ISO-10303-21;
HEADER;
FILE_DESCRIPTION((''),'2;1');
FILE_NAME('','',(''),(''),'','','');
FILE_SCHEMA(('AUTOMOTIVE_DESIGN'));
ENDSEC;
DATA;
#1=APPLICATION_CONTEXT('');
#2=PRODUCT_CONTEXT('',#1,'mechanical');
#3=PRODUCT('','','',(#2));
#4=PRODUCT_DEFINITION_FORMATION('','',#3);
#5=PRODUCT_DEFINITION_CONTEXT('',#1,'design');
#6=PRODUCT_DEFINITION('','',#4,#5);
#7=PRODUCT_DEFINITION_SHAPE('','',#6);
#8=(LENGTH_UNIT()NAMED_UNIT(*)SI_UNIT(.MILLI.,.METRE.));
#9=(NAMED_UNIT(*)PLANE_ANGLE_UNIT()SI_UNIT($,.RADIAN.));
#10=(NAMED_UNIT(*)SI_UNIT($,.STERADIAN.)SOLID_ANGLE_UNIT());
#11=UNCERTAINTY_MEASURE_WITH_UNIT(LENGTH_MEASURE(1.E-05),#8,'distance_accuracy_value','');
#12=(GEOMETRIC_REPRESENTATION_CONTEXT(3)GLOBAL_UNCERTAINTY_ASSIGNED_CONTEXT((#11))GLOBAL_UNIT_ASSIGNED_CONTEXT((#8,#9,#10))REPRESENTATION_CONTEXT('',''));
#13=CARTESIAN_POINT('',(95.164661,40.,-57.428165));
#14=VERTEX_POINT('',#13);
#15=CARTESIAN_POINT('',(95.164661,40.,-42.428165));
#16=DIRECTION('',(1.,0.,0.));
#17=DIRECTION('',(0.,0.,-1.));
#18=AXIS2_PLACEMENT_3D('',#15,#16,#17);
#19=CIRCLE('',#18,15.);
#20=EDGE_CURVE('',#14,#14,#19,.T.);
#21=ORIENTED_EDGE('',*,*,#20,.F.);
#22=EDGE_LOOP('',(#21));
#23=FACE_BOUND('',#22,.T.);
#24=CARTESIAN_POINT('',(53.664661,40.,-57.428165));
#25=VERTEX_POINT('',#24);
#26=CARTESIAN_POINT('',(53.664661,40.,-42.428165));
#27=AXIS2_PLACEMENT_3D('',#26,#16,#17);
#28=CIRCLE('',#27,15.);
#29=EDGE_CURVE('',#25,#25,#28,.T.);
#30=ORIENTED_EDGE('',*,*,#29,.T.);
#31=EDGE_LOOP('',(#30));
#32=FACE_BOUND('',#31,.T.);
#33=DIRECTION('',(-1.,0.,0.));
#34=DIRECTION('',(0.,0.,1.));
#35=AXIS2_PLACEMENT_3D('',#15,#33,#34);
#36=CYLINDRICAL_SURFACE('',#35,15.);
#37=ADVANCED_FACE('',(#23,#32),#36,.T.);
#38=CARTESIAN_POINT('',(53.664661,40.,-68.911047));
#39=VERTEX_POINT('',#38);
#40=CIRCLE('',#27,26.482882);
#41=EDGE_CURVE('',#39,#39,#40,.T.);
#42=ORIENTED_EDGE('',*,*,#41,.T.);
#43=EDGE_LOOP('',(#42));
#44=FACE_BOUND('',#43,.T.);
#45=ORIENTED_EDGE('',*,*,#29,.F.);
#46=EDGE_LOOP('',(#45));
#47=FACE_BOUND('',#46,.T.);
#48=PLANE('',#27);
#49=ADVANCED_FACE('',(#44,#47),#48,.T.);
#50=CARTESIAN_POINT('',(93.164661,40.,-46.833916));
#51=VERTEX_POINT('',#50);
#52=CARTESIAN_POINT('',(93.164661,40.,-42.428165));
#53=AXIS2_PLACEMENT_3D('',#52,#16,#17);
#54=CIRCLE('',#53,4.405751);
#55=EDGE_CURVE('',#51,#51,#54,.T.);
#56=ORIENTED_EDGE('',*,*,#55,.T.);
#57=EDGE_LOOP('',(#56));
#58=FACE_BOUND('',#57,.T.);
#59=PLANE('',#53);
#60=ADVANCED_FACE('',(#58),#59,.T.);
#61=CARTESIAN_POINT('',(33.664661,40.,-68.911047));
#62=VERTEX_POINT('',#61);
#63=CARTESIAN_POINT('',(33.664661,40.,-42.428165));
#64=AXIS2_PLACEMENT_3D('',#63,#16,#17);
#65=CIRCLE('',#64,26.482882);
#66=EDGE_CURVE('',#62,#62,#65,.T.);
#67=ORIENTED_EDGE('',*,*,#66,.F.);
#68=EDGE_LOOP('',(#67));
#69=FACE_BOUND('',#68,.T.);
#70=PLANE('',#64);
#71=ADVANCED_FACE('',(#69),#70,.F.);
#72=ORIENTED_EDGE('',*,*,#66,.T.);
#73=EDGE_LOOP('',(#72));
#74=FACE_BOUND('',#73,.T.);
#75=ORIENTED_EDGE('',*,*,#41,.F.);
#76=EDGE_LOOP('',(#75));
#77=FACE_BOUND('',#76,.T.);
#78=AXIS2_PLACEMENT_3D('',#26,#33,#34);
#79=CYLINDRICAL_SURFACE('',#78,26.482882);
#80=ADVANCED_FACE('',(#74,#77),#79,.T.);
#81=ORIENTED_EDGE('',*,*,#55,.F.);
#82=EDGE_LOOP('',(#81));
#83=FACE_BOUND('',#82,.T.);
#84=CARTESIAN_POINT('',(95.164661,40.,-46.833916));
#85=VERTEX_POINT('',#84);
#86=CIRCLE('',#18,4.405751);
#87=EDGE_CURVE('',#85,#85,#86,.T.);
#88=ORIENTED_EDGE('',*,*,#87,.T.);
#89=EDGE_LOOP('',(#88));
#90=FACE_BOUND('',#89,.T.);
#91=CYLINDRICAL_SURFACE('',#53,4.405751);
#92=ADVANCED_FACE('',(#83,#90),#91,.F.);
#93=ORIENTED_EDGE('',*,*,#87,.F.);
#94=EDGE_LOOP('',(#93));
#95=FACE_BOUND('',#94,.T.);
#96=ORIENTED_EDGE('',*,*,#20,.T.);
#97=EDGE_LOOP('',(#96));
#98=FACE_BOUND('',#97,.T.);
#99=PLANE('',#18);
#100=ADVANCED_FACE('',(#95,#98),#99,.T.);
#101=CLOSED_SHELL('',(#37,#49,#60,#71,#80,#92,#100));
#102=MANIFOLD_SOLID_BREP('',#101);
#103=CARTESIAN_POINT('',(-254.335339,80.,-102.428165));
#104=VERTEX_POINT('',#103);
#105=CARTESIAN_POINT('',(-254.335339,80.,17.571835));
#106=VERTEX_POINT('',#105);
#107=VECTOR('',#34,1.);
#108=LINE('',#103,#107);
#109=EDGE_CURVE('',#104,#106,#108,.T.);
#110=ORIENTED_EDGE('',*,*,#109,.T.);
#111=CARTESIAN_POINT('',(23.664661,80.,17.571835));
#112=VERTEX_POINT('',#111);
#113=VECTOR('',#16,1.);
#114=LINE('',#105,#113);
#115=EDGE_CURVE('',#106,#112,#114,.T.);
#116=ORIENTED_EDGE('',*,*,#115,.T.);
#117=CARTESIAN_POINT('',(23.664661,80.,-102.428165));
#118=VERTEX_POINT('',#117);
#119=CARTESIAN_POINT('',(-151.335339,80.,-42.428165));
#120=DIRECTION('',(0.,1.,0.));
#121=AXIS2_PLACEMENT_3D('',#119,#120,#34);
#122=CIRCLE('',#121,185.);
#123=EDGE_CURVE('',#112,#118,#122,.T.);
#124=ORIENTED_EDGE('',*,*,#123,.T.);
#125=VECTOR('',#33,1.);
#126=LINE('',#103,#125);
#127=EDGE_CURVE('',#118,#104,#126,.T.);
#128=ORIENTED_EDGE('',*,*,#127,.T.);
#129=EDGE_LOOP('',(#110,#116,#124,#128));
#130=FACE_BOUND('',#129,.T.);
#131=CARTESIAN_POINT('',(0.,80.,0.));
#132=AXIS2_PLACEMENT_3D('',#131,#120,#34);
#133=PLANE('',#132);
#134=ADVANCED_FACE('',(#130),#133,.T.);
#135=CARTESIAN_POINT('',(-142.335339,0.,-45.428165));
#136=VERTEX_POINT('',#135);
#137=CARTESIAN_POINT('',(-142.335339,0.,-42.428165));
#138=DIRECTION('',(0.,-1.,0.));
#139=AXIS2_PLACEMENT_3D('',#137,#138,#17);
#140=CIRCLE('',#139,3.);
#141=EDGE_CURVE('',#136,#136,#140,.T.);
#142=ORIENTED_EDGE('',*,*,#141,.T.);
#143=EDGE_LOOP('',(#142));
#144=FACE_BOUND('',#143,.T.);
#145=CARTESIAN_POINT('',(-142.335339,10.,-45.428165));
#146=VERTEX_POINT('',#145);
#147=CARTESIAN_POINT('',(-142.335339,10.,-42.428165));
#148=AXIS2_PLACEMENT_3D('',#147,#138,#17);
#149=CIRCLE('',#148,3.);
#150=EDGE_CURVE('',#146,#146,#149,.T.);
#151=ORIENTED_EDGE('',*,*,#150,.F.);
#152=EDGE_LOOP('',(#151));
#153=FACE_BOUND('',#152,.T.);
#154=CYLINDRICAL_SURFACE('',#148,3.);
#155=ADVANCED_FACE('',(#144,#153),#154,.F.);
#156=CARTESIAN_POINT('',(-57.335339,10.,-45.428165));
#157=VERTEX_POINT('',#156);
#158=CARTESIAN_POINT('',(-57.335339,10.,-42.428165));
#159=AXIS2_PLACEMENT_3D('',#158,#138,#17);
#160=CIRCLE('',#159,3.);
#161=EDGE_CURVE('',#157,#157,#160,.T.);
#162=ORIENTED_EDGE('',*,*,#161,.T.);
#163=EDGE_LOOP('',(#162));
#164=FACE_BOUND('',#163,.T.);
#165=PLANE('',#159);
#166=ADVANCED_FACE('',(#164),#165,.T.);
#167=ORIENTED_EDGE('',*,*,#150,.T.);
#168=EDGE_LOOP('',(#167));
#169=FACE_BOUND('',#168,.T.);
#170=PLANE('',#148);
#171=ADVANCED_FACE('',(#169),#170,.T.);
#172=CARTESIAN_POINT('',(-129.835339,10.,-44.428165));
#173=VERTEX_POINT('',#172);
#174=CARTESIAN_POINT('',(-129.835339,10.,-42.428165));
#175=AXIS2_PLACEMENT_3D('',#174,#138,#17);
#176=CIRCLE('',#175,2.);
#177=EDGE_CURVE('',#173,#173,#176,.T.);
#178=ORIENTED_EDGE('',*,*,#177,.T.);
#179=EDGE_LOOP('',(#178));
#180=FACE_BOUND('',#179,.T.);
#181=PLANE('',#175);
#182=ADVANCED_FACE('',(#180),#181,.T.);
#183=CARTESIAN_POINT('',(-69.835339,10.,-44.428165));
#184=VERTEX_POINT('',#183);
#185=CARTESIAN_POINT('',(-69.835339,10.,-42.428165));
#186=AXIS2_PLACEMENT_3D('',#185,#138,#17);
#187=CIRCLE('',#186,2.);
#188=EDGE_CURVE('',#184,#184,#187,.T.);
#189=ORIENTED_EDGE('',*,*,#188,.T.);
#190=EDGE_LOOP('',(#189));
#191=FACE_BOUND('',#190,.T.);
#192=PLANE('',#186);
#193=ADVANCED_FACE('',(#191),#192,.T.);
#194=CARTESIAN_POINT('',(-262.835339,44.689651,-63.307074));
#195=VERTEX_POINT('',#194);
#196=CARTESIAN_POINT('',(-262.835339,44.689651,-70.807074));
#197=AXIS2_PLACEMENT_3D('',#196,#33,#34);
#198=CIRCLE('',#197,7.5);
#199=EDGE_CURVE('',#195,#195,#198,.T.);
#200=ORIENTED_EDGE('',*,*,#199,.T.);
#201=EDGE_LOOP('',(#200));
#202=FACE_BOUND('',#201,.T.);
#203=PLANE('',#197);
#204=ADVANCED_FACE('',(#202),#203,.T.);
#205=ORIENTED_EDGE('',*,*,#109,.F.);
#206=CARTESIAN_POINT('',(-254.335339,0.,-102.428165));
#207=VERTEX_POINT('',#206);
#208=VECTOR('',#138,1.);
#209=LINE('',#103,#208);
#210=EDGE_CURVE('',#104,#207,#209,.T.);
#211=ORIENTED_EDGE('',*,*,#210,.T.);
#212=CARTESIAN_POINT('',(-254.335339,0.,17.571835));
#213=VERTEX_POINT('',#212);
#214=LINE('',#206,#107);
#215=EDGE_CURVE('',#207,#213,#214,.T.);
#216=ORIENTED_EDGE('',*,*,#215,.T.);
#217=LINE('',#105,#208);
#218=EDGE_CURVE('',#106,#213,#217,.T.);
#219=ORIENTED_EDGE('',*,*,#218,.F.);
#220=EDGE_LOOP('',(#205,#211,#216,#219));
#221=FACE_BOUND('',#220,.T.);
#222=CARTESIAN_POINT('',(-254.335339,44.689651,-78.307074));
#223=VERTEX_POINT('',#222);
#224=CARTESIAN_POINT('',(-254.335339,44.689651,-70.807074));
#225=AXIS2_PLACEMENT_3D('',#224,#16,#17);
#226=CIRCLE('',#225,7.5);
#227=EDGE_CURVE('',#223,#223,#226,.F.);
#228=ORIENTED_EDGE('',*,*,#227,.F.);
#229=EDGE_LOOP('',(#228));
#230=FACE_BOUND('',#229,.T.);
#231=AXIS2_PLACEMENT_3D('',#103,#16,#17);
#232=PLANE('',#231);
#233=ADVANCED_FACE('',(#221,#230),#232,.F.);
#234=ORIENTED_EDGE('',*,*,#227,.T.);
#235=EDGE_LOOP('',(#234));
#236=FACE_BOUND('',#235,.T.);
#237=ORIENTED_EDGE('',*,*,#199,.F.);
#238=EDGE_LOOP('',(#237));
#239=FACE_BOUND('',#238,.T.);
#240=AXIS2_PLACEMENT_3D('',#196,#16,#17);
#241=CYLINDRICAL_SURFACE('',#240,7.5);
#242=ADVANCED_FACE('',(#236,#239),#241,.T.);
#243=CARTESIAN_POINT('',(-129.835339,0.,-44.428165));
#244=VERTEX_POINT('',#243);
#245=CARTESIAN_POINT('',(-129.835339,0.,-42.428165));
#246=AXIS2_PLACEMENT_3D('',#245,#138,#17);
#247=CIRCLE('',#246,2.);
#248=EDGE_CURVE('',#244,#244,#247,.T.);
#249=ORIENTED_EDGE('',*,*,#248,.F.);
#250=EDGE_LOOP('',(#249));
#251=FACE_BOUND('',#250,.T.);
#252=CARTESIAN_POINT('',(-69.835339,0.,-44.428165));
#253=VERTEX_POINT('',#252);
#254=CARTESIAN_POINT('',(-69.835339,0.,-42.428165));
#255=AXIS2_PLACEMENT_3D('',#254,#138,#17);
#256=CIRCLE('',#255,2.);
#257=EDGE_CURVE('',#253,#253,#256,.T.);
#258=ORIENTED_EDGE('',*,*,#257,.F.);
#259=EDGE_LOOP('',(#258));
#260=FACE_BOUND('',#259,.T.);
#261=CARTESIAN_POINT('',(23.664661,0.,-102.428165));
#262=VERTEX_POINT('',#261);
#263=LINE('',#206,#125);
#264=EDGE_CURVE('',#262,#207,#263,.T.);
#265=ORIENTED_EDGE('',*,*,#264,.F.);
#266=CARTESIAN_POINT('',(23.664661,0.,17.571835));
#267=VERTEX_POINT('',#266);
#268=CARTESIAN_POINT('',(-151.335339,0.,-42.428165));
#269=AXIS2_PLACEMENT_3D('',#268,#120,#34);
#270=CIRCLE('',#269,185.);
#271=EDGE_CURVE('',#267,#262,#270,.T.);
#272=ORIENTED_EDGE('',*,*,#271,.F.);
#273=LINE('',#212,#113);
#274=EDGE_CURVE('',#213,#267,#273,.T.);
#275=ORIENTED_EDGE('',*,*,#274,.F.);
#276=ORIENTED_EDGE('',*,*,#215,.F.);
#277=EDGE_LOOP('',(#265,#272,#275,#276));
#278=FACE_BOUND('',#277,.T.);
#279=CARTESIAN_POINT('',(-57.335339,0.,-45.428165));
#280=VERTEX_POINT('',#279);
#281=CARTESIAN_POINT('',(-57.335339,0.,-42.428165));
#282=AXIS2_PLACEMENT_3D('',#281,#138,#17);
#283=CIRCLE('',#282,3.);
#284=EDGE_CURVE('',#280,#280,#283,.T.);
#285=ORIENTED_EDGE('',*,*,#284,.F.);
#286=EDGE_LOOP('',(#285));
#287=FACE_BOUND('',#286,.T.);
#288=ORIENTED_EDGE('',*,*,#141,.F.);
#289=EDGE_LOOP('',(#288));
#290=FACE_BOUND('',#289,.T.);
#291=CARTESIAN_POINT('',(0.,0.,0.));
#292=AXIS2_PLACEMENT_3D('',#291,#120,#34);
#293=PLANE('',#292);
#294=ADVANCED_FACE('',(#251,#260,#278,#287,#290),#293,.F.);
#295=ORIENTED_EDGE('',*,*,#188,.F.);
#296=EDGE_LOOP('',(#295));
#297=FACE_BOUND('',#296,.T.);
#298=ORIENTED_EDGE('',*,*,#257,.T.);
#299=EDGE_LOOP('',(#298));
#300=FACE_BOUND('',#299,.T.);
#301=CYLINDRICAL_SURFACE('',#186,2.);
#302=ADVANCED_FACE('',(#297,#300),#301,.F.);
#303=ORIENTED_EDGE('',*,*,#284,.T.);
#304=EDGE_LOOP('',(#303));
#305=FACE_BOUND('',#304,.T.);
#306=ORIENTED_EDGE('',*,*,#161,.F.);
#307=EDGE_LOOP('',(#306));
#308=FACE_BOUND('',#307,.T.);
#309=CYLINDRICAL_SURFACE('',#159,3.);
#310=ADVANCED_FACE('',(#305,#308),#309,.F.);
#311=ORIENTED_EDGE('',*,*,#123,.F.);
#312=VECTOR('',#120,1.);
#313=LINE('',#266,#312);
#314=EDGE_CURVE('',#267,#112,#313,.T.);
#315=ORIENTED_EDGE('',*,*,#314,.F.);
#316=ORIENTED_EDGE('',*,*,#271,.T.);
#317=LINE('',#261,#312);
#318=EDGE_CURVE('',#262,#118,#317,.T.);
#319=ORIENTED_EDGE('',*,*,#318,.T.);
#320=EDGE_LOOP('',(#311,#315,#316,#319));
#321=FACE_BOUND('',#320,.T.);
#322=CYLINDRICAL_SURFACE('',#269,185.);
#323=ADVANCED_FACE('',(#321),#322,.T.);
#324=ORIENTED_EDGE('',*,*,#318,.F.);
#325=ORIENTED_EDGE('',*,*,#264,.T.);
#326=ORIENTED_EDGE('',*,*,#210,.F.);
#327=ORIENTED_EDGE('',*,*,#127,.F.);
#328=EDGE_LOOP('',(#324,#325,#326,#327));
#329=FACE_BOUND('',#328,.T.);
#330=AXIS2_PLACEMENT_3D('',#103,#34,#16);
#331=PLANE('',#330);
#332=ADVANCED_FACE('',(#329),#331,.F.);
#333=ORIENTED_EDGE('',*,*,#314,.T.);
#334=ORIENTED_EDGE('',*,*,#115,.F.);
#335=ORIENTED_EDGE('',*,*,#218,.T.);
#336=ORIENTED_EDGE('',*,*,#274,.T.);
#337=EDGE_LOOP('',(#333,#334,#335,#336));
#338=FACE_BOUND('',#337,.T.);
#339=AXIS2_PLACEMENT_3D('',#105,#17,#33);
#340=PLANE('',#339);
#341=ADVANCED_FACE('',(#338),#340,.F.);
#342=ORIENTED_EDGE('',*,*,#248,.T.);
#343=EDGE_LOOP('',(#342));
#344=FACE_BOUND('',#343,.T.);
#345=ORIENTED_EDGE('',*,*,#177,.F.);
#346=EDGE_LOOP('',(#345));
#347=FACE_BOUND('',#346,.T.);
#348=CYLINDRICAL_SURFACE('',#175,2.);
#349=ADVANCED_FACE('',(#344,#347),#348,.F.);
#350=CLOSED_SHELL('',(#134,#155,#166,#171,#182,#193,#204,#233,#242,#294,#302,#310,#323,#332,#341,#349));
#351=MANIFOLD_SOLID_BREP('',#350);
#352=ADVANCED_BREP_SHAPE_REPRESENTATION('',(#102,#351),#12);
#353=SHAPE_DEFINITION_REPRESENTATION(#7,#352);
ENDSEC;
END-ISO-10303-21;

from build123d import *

# Parameters (mm, degrees)
SKETCH1_W           = 349.5
SKETCH1_H           = 120
BOSS_EXTRUDE1_DEPTH = 80
SKETCH2_W           = 41.5
SKETCH2_H           = 120
CUT_EXTRUDE1_DEPTH  = 81
CUT_EXTRUDE4_DEPTH  = 80
SKETCH4_R           = 26.482881768
BOSS_EXTRUDE2_DEPTH = 20
SKETCH5_R           = 15
BOSS_EXTRUDE3_DEPTH = 41.5
SKETCH6_R           = 7.5
BOSS_EXTRUDE4_DEPTH = 8.5
SKETCH7_R           = 3
SKETCH7_R_2         = 2
CUT_EXTRUDE5_DEPTH  = 10
SKETCH8_R           = 4.405750712
CUT_EXTRUDE6_DEPTH  = 2


with BuildPart() as part:
    # Sketch1 → Boss-Extrude1 (new body)
    with BuildSketch(Plane(origin=(0, 0, 0), x_dir=(1, 0, 0), z_dir=(0, 1, 0))):
        with Locations((-79.585339158, 42.428164832)):
            Rectangle(SKETCH1_W, SKETCH1_H)
    extrude(amount=BOSS_EXTRUDE1_DEPTH)

    # Sketch2 → Cut-Extrude1 (cut, through all)
    with BuildSketch(Plane(origin=(0, 80, 0), x_dir=(1, 0, 0), z_dir=(0, 1, 0))):
        with Locations((74.414660842, 42.428164832)):
            Rectangle(SKETCH2_W, SKETCH2_H)
    extrude(amount=-CUT_EXTRUDE1_DEPTH, mode=Mode.SUBTRACT)

    # Sketch3 → Cut-Extrude4 (cut)
    with BuildSketch(Plane(origin=(0, 80, 0), x_dir=(1, 0, 0), z_dir=(0, 1, 0))):
        with BuildLine():
            Line((53.664660842, 102.428164832), (23.664660842, 102.428164832))
            ThreePointArc((23.664660842, 102.428164832), (33.664660842, 42.428164832), (23.664660842, -17.571835168))
            Line((23.664660842, -17.571835168), (53.664660842, -17.571835168))
            Line((53.664660842, -17.571835168), (53.664660842, 102.428164832))
        make_face()
    extrude(amount=-CUT_EXTRUDE4_DEPTH, mode=Mode.SUBTRACT)

    # Sketch6 → Boss-Extrude4 (add)
    with BuildSketch(Plane.ZY.offset(254.335339158)):
        with Locations(Location((-70.807073687, 44.689651379, 0), (0, 0, 180))):  # turned: the seam where the file's is
            Circle(SKETCH6_R)
    extrude(amount=BOSS_EXTRUDE4_DEPTH)

    # Sketch7 → Cut-Extrude5 (cut)
    with BuildSketch(Plane.XZ):
        with Locations(Location((-142.335339158, -42.428164832, 0), (0, 0, 270))):  # turned: the seam where the file's is
            Circle(SKETCH7_R)
        with Locations(Location((-57.335339158, -42.428164832, 0), (0, 0, 270))):  # turned: the seam where the file's is
            Circle(SKETCH7_R)
        with Locations(Location((-129.835339158, -42.428164832, 0), (0, 0, 270))):  # turned: the seam where the file's is
            Circle(SKETCH7_R_2)
        with Locations(Location((-69.835339158, -42.428164832, 0), (0, 0, 270))):  # turned: the seam where the file's is
            Circle(SKETCH7_R_2)
    extrude(amount=-CUT_EXTRUDE5_DEPTH, mode=Mode.SUBTRACT)


with BuildPart() as body_2:
    # Sketch4 → Boss-Extrude2 (new body)
    with BuildSketch(Plane(origin=(33.664660842, 0, 0), x_dir=(0, 0, -1), z_dir=(1, 0, 0))):
        with Locations((42.428164832, 40)):
            Circle(SKETCH4_R)
    extrude(amount=BOSS_EXTRUDE2_DEPTH)

    # Sketch5 → Boss-Extrude3 (add)
    with BuildSketch(Plane(origin=(53.664660842, 0, 0), x_dir=(0, 0, -1), z_dir=(1, 0, 0))):
        with Locations((42.428164832, 40)):
            Circle(SKETCH5_R)
    extrude(amount=BOSS_EXTRUDE3_DEPTH)

    # Sketch8 → Cut-Extrude6 (cut)
    with BuildSketch(Plane(origin=(95.164660842, 0, 0), x_dir=(0, 0, -1), z_dir=(1, 0, 0))):
        with Locations((42.428164832, 40)):
            Circle(SKETCH8_R)
    extrude(amount=-CUT_EXTRUDE6_DEPTH, mode=Mode.SUBTRACT)


solid = Compound([part.part, body_2.part])
